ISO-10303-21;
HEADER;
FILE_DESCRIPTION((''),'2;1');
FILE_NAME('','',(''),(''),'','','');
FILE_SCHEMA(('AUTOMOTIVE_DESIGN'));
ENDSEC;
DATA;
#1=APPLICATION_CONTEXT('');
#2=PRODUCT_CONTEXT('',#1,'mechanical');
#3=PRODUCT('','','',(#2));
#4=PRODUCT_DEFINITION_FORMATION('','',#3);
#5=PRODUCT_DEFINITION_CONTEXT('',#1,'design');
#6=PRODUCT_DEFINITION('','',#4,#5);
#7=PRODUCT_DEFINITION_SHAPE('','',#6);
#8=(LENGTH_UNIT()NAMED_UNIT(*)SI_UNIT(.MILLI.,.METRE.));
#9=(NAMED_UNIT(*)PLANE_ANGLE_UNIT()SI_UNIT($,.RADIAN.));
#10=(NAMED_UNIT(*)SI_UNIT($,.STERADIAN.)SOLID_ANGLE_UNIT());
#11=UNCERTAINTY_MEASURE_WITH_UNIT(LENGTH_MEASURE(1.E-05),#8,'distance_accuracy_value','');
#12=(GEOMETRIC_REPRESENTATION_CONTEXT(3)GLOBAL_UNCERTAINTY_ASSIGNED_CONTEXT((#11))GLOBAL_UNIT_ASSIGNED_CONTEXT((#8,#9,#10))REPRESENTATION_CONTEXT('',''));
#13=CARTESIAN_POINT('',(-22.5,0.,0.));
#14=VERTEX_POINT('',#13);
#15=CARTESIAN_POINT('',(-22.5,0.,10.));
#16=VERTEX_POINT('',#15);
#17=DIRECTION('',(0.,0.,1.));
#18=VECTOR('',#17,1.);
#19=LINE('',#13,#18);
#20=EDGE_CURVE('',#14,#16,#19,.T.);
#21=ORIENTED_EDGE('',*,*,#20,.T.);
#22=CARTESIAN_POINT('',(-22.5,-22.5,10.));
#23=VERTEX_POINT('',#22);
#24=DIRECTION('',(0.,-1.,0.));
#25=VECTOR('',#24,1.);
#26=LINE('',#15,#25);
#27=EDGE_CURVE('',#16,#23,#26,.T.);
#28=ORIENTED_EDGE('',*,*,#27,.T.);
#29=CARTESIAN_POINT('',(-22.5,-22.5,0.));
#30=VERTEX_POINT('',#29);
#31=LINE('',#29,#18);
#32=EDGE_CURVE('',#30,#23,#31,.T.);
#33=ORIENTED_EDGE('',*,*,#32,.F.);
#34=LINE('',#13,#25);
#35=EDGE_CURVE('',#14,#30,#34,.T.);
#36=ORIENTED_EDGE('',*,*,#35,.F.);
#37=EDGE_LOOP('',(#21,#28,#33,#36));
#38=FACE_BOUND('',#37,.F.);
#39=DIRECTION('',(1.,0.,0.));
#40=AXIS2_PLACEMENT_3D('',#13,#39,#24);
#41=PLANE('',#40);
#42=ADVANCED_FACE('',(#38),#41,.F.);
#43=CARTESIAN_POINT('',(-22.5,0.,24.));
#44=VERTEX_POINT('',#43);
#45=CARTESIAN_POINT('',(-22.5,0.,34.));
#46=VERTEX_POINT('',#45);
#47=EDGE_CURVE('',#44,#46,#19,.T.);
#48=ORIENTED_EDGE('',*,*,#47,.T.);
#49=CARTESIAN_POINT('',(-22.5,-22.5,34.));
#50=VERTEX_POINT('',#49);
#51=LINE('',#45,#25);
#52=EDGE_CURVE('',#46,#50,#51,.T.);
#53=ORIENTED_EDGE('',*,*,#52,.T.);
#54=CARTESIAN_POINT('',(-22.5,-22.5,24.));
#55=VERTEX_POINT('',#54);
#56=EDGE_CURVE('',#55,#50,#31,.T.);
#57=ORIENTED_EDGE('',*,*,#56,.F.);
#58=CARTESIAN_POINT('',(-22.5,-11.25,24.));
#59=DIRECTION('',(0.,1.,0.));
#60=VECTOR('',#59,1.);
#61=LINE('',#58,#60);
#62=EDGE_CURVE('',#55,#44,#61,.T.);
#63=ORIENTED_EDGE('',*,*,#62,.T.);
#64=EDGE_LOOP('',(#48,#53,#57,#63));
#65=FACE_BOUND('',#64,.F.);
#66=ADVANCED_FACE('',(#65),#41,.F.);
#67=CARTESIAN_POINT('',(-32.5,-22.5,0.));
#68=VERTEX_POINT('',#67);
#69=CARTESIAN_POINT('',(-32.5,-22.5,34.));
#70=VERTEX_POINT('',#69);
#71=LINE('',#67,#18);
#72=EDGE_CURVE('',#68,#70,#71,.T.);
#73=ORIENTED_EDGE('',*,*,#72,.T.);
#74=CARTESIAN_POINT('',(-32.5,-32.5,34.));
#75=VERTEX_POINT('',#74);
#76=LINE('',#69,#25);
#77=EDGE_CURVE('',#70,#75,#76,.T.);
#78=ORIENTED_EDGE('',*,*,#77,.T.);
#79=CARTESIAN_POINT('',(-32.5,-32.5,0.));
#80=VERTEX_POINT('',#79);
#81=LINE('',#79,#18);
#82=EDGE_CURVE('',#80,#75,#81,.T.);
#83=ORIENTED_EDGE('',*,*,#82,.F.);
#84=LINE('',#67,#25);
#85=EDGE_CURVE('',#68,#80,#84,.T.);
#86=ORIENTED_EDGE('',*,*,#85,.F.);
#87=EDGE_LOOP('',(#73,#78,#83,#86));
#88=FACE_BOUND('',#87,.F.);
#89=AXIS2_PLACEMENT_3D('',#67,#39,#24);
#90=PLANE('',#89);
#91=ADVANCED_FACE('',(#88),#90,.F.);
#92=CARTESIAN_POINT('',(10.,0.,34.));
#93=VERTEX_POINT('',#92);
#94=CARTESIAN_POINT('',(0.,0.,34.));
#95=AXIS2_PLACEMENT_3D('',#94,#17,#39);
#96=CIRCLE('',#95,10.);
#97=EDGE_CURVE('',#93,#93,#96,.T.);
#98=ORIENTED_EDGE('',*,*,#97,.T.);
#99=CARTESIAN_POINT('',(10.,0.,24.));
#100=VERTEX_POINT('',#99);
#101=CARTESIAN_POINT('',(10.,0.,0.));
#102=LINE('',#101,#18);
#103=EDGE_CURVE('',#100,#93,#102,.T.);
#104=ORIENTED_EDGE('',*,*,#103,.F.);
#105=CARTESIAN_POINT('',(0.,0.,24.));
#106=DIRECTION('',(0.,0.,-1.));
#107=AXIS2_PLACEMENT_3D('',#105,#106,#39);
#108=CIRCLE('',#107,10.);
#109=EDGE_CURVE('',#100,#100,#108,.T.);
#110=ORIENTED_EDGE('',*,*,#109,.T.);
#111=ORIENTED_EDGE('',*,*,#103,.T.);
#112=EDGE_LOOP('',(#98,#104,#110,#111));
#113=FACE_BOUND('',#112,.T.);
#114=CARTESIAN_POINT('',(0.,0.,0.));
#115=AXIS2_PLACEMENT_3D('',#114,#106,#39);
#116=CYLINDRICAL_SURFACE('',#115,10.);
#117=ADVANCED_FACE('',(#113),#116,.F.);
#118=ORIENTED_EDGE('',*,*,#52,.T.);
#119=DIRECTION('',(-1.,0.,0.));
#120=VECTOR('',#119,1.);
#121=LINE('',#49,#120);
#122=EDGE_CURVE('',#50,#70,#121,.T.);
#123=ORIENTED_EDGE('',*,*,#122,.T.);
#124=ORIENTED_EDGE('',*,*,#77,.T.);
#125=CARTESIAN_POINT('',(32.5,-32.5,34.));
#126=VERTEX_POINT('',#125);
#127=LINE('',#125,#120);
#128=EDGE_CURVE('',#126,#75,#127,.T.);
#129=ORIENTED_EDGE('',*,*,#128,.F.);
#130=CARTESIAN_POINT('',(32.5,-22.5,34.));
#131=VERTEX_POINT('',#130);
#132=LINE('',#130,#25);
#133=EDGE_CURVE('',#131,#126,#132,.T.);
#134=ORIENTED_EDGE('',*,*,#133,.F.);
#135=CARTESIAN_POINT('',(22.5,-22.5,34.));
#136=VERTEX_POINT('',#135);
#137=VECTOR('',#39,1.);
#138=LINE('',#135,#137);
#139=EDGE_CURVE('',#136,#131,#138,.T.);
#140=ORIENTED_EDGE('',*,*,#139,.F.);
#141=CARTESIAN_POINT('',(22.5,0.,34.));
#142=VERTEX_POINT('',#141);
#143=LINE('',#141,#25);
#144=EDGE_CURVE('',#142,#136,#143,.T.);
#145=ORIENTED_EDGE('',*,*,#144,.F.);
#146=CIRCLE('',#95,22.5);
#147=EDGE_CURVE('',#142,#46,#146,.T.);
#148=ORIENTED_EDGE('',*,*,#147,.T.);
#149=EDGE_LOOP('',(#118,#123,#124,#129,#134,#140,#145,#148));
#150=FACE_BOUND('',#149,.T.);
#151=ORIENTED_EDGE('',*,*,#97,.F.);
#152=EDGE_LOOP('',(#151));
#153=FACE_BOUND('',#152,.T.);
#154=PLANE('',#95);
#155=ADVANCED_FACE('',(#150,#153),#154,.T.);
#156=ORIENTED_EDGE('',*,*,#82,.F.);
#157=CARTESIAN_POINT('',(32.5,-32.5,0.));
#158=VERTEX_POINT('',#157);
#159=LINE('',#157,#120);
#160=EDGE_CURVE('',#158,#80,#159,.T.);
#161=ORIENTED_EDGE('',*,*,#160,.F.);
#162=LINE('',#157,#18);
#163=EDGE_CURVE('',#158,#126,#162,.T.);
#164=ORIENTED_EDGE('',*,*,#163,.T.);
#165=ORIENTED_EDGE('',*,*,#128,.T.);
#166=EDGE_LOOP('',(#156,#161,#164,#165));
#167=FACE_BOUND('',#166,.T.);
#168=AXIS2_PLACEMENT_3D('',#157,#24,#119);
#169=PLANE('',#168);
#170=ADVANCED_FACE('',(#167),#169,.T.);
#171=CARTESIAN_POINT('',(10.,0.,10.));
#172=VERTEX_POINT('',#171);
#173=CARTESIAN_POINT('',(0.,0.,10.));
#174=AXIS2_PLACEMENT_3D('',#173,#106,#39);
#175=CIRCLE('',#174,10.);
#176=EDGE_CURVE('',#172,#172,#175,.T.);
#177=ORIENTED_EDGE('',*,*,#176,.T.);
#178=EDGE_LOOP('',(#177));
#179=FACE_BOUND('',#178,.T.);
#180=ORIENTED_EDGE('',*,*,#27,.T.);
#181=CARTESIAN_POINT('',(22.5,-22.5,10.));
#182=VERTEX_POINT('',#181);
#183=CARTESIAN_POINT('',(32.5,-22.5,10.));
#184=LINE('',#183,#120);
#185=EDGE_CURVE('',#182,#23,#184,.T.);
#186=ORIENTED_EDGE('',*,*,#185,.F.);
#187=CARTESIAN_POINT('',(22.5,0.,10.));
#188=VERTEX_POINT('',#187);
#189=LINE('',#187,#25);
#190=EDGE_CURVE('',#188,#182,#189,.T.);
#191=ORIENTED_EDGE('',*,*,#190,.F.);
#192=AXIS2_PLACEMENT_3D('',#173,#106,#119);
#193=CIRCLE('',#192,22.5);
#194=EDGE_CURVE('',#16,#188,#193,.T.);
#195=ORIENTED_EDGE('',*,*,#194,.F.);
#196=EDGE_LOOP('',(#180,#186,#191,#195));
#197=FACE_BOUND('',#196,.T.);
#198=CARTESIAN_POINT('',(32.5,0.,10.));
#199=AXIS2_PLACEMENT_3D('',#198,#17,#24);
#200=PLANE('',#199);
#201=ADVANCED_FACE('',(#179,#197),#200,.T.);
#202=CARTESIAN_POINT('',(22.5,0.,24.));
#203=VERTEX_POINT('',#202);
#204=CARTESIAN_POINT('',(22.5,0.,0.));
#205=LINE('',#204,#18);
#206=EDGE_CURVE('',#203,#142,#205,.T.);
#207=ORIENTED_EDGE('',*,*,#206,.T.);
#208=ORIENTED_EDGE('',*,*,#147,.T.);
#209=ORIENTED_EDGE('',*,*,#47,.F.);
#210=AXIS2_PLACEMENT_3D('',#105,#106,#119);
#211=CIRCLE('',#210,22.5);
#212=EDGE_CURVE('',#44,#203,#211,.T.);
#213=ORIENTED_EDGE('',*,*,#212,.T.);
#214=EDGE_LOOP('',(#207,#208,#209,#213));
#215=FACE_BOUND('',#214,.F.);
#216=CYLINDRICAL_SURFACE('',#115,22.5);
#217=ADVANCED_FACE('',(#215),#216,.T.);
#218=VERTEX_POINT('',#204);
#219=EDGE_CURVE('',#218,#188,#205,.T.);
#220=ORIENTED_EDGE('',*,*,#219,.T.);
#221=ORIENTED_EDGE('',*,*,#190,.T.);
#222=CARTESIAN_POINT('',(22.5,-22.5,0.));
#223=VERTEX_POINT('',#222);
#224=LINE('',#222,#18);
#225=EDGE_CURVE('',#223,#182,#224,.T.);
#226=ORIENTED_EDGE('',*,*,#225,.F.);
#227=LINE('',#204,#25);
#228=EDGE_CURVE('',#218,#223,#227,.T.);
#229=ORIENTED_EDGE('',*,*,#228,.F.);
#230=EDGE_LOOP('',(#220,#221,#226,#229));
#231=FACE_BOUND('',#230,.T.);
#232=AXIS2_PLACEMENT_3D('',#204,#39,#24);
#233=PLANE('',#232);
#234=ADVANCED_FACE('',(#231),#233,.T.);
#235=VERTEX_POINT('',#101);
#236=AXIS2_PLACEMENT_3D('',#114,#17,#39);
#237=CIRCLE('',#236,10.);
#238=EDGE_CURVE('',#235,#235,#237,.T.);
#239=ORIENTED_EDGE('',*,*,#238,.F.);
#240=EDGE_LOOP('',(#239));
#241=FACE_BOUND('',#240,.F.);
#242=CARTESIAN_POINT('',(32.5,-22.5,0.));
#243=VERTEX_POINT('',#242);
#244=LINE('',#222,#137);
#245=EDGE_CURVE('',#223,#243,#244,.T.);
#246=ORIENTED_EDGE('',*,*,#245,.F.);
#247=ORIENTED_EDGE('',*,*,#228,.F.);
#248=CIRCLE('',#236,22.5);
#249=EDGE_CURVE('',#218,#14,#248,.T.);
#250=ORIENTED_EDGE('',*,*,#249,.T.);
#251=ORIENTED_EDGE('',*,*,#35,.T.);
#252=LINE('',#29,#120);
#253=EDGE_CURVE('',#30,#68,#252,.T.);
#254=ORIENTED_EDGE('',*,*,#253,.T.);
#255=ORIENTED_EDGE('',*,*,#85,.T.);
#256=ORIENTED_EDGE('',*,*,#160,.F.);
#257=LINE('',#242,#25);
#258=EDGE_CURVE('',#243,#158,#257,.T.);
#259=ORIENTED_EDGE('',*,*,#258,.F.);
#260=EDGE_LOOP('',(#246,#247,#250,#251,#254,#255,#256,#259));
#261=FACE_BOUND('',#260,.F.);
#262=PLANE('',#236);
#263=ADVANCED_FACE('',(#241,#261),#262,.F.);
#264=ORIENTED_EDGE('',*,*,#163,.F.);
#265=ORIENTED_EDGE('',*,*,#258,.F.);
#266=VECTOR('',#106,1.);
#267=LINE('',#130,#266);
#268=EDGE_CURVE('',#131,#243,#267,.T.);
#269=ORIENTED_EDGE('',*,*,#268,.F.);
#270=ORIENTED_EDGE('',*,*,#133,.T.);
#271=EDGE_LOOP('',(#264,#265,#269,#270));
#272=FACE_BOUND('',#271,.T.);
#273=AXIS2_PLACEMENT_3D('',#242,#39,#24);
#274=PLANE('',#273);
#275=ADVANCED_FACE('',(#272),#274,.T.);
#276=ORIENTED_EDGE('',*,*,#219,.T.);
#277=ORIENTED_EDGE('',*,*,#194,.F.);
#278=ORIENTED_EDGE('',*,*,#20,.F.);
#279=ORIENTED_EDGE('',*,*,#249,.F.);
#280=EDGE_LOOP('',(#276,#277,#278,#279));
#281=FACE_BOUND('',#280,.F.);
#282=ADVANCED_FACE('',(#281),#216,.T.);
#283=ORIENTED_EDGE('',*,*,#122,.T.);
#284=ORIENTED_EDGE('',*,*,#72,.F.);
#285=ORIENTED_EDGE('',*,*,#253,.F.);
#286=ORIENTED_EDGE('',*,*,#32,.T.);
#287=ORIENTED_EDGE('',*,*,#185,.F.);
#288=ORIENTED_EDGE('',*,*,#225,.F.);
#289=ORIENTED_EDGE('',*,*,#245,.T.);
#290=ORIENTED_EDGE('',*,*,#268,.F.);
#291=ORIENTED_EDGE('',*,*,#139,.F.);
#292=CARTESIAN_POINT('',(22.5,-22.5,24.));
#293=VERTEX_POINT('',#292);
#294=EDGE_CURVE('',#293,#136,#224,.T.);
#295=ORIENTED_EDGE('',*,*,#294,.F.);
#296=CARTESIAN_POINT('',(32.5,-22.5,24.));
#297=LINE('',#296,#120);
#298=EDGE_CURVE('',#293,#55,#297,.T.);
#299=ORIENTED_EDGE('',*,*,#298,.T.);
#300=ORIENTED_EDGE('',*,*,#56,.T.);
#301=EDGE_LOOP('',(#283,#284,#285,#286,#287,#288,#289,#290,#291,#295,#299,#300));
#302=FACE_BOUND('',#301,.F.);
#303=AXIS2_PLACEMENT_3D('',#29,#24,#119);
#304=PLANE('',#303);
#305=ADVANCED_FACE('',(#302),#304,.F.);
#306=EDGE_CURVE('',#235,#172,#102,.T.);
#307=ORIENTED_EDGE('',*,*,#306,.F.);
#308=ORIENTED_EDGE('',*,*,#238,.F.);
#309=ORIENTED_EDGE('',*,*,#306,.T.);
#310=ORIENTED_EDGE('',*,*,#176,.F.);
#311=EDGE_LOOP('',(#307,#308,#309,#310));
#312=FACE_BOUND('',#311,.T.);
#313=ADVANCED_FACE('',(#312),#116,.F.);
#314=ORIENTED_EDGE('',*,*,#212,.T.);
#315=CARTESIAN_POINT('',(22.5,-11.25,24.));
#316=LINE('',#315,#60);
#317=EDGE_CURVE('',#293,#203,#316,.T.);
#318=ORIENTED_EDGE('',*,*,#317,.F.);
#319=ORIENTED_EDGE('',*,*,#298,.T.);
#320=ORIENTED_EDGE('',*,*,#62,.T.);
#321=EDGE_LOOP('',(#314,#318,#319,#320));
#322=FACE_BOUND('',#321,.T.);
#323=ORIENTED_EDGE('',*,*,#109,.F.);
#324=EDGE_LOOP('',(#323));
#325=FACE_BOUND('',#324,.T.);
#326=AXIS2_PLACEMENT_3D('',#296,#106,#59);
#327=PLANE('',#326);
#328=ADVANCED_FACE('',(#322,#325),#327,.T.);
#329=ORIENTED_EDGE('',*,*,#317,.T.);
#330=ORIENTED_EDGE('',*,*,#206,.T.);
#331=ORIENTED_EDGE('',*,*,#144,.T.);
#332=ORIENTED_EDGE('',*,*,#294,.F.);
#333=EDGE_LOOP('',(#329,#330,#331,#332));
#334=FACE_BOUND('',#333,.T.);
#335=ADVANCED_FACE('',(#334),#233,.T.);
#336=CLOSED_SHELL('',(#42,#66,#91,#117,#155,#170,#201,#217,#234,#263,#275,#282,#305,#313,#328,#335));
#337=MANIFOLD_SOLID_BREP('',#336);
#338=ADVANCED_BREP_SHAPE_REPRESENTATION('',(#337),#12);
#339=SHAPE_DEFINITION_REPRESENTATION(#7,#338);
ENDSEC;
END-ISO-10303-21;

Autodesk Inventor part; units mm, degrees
ref_plane "YZ Plane" through (0, 0, 0) normal (1, 0, 0) x (0, 1, 0)
ref_plane "XZ Plane" through (0, 0, 0) normal (0, 1, 0) x (-1, 0, 0)
ref_plane "XY Plane" through (0, 0, 0) normal (0, 0, 1) x (1, 0, 0)
sketch "Sketch1" plane through (0, 0, 0) normal (0, 0, 1) x (1, 0, 0)
  circle A0 centre (0, 0) radius 10
  circle A1 centre (0, 0) radius 22.5
  line L0 (-22.5, 0) -> (-22.5, -32.5) construction
  line L1 (-22.5, -32.5) -> (22.5, -32.5) construction
  line L2 (22.5, -32.5) -> (22.5, 0) construction
  line L3 (-22.5, 0) -> (-22.5, -22.5)
  line L4 (-22.5, -22.5) -> (-32.5, -22.5)
  line L5 (-32.5, -22.5) -> (-32.5, -32.5)
  line L6 (22.5, 0) -> (22.5, -22.5)
  line L7 (22.5, -22.5) -> (32.5, -22.5)
  line L8 (32.5, -22.5) -> (32.5, -32.5)
  line L9 (32.5, -32.5) -> (-32.5, -32.5)
  dimension "d0" = 20
  dimension "d1" = 45
  dimension "d2" = 22.5
  dimension "d3" = 10
  dimension "d4" = 10
  dimension "d8" = 10
extrude "Extrusion1" add sketch "Sketch1" along normal blind 34
sketch "Sketch2" plane through (32.5, -32.5, 0) normal (1, 0, 0) x (0, 0, -1)
  line L0 (0, 0) -> (-34, 0) construction
  line L1 (0, 55) -> (-34, 55) construction
  line L2 (0, 10) -> (-34, 10) construction
  line L3 (-10, 10) -> (-24, 10)
  line L4 (-24, 10) -> (-24, 55)
  line L5 (-24, 55) -> (-10, 55)
  line L6 (-10, 55) -> (-10, 10)
  line L7 (0, 32.5) -> (-34, 32.5) projected
  line L8 (-10, 10) -> (-24, 55) construction
  line L9 (-24, 10) -> (-10, 55) construction
  point P0 (-17, 32.5)
  dimension "d9" = 14
extrude "Extrusion2" cut sketch "Sketch2" against normal blind 100
ref_plane "Work Plane1" through (0, 0, 17) normal (0, 0, 1) x (1, 0, 0)
ref_plane "Work Plane2" through (0, -22.5, 34) normal (1, 0, 0) x (0, 0, -1)
properties part number "ApoyoRotatorioPreliminar"
